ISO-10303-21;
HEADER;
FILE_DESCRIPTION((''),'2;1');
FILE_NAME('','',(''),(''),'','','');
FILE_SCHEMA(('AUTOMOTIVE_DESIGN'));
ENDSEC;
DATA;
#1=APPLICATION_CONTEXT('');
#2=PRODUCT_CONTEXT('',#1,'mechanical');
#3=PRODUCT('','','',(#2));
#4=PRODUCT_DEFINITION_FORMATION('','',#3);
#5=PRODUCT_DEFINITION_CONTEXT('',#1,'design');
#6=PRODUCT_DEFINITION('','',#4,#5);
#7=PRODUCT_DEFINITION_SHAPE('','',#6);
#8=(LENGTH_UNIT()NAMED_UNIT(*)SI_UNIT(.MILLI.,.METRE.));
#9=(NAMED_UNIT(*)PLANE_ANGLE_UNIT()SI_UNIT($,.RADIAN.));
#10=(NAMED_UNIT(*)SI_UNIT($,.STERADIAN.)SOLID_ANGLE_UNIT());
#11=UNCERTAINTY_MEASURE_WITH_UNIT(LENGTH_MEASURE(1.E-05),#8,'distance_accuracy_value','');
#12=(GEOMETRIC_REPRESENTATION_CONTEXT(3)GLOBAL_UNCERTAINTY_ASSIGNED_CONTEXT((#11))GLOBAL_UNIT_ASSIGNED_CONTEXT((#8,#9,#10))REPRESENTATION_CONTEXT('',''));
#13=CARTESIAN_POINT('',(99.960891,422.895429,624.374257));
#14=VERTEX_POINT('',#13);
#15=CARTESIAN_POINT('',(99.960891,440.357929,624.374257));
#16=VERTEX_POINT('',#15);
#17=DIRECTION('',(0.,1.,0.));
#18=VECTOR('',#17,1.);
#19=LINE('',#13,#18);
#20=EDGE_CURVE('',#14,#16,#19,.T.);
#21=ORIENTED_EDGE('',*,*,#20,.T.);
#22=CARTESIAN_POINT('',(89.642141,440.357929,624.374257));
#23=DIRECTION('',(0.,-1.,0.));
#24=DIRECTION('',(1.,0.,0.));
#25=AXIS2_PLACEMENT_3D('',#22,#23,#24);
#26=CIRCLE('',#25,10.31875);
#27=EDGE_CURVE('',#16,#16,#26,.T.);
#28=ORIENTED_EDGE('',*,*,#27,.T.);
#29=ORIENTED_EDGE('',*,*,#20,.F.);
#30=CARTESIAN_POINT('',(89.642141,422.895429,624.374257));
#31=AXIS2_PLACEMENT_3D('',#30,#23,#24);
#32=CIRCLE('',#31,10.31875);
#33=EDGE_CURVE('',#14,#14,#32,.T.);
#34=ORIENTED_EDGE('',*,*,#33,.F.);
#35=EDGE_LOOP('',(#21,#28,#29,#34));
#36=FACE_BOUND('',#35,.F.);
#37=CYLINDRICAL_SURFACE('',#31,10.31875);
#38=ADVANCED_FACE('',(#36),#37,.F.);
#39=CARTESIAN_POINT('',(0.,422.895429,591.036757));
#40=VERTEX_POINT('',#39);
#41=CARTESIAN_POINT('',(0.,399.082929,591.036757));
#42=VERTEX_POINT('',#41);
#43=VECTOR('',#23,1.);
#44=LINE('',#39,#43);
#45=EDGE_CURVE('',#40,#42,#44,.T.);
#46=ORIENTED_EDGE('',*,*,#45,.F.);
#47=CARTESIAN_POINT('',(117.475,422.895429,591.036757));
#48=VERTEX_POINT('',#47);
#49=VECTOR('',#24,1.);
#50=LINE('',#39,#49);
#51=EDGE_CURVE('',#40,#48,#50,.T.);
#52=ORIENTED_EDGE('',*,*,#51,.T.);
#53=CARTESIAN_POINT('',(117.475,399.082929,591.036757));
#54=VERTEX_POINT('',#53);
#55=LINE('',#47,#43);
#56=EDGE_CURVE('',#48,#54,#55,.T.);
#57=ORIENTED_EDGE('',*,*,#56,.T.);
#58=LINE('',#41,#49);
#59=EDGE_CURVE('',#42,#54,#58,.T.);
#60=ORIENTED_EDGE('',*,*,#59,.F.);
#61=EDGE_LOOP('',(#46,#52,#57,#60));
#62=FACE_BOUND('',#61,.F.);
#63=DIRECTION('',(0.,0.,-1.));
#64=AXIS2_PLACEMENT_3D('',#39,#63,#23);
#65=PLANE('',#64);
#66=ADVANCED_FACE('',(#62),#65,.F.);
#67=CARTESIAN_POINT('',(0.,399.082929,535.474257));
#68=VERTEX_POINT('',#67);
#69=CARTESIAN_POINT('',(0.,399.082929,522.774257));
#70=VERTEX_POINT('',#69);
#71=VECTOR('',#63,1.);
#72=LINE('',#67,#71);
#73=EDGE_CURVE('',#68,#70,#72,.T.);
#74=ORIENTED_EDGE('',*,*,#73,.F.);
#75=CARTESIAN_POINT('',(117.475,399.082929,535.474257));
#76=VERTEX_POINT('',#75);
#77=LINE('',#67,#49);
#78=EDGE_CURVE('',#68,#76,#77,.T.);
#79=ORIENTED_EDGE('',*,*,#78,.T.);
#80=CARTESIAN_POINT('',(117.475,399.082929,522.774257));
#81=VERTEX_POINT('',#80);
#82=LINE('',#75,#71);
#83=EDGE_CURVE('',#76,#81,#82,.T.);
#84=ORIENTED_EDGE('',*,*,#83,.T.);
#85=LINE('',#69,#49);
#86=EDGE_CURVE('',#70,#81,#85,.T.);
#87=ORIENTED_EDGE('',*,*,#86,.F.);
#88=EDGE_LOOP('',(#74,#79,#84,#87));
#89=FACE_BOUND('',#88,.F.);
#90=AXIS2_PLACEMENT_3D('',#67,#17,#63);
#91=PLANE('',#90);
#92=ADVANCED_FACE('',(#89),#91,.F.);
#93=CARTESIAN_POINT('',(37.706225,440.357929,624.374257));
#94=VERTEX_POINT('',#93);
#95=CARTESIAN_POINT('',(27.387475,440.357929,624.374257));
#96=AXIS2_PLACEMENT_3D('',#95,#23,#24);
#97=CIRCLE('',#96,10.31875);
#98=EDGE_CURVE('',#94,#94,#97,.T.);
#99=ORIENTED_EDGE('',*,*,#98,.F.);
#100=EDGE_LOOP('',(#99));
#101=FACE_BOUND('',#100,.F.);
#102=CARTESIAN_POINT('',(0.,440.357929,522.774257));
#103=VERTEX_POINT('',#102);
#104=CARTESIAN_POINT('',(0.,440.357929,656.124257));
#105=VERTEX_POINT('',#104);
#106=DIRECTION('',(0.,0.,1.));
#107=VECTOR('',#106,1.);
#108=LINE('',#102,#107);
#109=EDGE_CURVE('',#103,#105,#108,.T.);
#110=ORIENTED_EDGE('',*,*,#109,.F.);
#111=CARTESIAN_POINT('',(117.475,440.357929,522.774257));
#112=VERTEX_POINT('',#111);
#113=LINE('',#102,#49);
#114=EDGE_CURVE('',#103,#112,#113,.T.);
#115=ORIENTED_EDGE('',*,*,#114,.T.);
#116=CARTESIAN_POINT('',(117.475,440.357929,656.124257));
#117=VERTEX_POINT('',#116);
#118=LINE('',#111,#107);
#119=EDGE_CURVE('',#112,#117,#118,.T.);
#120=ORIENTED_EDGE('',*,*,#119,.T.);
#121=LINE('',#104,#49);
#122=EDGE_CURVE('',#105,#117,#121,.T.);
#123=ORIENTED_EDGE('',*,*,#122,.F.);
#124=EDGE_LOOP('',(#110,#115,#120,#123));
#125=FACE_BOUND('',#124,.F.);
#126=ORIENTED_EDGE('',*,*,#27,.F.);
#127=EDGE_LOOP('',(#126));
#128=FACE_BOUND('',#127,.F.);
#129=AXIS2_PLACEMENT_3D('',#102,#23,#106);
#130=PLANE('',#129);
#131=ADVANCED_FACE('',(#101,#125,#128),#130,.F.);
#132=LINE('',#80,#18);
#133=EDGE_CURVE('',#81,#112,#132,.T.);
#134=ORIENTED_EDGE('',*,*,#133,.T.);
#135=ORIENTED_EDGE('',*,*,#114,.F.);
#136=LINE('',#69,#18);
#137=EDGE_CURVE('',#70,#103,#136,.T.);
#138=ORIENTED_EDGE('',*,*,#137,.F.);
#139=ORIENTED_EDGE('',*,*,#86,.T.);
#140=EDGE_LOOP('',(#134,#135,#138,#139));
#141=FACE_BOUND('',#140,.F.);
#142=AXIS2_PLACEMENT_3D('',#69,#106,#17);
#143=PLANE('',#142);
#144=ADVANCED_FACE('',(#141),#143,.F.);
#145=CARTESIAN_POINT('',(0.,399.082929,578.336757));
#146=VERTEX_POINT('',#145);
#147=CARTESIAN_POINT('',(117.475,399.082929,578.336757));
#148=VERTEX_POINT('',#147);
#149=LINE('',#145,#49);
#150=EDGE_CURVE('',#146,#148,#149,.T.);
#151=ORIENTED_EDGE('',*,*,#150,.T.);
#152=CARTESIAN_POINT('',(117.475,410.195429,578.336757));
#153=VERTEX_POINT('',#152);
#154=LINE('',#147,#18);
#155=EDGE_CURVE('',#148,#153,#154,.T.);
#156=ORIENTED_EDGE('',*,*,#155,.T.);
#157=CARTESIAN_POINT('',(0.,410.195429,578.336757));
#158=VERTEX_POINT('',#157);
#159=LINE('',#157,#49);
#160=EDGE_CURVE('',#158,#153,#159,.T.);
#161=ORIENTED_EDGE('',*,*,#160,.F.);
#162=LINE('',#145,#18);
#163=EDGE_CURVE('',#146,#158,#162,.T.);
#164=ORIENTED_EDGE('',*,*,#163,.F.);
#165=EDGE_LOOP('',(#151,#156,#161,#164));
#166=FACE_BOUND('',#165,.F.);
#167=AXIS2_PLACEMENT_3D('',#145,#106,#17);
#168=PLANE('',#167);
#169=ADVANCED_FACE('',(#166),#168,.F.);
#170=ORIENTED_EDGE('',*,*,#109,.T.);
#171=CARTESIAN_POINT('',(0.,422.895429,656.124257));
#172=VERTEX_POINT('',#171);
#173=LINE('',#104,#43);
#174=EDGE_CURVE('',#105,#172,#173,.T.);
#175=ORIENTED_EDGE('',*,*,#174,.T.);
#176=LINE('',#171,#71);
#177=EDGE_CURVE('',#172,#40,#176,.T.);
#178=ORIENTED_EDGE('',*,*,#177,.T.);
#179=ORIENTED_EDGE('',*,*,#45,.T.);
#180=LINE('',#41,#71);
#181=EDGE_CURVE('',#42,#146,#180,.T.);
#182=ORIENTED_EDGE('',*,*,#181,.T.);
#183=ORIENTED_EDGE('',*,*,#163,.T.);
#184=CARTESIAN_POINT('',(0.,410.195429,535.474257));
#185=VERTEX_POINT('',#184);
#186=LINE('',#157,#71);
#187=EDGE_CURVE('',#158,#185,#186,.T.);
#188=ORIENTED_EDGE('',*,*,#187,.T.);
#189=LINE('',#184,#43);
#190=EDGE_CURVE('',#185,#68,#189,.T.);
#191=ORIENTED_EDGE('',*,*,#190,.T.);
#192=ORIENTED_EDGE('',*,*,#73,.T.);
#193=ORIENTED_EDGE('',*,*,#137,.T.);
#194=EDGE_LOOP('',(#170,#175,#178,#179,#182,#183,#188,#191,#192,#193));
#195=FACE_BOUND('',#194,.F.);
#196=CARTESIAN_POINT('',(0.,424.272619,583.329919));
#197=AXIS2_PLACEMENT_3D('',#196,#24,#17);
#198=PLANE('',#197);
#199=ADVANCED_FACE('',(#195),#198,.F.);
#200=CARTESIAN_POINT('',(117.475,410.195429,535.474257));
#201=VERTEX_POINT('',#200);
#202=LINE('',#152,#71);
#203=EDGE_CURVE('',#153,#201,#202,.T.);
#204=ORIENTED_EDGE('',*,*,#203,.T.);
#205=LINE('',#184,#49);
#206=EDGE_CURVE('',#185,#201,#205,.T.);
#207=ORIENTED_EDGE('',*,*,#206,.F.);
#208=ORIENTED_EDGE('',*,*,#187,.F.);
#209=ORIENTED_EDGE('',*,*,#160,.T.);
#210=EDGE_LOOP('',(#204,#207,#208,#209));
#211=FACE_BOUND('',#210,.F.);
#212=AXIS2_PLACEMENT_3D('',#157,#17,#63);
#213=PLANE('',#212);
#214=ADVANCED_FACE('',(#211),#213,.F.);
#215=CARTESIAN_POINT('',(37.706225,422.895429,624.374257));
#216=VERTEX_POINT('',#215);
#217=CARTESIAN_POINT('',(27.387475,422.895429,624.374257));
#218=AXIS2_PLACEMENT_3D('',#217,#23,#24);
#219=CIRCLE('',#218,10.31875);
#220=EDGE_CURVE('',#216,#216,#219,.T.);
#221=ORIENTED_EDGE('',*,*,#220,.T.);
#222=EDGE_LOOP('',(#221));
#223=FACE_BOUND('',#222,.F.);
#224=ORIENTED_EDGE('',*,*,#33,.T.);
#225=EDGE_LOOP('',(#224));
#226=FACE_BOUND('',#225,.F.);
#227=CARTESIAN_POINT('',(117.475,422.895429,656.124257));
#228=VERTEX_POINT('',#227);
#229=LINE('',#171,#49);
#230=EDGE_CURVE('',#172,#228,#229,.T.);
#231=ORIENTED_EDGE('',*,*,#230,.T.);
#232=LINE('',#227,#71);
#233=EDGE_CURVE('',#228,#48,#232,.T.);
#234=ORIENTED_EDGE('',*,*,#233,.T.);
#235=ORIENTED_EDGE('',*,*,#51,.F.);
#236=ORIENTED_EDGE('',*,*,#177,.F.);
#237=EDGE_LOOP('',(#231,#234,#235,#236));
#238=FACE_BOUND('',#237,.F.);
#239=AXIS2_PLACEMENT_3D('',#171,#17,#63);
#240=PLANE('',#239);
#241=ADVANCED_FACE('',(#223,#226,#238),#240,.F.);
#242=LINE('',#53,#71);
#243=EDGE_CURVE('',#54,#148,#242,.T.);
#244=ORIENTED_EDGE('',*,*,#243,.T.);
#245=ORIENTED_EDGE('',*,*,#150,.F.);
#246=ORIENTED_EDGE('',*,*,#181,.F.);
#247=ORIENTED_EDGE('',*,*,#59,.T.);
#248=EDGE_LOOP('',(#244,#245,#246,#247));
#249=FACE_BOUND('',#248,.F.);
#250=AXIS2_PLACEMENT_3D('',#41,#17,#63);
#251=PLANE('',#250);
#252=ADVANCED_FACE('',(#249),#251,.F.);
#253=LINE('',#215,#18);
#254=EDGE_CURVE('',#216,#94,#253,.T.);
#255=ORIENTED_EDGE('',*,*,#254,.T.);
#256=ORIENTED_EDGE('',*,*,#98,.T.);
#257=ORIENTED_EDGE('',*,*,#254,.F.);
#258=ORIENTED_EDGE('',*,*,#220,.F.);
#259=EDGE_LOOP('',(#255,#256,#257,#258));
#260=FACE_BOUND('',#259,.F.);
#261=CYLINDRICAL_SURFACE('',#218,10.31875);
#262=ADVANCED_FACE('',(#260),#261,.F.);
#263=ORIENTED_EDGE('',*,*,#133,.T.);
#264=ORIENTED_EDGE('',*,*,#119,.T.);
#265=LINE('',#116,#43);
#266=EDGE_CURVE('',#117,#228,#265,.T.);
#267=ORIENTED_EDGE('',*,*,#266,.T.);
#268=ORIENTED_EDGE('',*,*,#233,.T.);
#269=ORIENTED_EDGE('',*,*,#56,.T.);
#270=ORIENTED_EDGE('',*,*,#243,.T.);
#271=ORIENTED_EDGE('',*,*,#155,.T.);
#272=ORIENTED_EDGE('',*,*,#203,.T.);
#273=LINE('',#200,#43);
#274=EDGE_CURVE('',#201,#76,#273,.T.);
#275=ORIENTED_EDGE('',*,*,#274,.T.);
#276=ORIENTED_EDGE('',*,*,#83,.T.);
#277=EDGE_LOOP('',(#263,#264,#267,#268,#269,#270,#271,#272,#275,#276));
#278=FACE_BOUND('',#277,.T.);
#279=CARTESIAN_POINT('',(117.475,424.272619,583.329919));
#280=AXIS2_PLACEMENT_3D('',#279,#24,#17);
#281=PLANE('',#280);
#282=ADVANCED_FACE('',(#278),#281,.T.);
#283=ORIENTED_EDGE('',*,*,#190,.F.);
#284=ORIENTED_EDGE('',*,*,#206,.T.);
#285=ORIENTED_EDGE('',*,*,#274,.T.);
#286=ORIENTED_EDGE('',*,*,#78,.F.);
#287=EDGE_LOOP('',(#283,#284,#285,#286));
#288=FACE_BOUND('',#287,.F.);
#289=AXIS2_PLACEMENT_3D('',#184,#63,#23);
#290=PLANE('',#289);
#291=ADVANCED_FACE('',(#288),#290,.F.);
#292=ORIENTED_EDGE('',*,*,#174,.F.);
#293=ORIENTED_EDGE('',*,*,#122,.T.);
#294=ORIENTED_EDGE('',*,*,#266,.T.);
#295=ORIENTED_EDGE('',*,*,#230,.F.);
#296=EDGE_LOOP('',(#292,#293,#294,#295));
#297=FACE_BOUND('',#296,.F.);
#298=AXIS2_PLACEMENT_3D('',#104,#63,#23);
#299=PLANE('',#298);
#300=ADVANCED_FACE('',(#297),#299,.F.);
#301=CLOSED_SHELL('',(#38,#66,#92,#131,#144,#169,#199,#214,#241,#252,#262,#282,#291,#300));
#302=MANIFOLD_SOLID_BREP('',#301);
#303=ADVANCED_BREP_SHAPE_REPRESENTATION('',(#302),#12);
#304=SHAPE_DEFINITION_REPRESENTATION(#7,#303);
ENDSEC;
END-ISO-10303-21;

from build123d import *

# Parameters (mm, degrees)
F1_DEPTH = 117.475
F2_R     = 10.31875
F3_DEPTH = 17.4635


with BuildPart() as f1:
    # F0 (on Right) → F1 (new body)
    with BuildSketch(Plane.YZ):
        Polygon((440.357929, 522.774257), (440.357929, 656.124257), (422.895429, 656.124257), (422.895429, 591.036757), (399.082929, 591.036757), (399.082929, 578.336757), (410.195429, 578.336757), (410.195429, 535.474257), (399.082929, 535.474257), (399.082929, 522.774257), align=None)
    extrude(amount=F1_DEPTH)

    # F2 (on face) → F3 (cut, through all)
    with BuildSketch(Plane.XZ.offset(-422.895429)):
        with Locations((27.387475, 624.374257)):
            Circle(F2_R)
        with Locations((89.642141, 624.374257)):
            Circle(F2_R)
    extrude(amount=-F3_DEPTH, mode=Mode.SUBTRACT)


solid = f1.part
